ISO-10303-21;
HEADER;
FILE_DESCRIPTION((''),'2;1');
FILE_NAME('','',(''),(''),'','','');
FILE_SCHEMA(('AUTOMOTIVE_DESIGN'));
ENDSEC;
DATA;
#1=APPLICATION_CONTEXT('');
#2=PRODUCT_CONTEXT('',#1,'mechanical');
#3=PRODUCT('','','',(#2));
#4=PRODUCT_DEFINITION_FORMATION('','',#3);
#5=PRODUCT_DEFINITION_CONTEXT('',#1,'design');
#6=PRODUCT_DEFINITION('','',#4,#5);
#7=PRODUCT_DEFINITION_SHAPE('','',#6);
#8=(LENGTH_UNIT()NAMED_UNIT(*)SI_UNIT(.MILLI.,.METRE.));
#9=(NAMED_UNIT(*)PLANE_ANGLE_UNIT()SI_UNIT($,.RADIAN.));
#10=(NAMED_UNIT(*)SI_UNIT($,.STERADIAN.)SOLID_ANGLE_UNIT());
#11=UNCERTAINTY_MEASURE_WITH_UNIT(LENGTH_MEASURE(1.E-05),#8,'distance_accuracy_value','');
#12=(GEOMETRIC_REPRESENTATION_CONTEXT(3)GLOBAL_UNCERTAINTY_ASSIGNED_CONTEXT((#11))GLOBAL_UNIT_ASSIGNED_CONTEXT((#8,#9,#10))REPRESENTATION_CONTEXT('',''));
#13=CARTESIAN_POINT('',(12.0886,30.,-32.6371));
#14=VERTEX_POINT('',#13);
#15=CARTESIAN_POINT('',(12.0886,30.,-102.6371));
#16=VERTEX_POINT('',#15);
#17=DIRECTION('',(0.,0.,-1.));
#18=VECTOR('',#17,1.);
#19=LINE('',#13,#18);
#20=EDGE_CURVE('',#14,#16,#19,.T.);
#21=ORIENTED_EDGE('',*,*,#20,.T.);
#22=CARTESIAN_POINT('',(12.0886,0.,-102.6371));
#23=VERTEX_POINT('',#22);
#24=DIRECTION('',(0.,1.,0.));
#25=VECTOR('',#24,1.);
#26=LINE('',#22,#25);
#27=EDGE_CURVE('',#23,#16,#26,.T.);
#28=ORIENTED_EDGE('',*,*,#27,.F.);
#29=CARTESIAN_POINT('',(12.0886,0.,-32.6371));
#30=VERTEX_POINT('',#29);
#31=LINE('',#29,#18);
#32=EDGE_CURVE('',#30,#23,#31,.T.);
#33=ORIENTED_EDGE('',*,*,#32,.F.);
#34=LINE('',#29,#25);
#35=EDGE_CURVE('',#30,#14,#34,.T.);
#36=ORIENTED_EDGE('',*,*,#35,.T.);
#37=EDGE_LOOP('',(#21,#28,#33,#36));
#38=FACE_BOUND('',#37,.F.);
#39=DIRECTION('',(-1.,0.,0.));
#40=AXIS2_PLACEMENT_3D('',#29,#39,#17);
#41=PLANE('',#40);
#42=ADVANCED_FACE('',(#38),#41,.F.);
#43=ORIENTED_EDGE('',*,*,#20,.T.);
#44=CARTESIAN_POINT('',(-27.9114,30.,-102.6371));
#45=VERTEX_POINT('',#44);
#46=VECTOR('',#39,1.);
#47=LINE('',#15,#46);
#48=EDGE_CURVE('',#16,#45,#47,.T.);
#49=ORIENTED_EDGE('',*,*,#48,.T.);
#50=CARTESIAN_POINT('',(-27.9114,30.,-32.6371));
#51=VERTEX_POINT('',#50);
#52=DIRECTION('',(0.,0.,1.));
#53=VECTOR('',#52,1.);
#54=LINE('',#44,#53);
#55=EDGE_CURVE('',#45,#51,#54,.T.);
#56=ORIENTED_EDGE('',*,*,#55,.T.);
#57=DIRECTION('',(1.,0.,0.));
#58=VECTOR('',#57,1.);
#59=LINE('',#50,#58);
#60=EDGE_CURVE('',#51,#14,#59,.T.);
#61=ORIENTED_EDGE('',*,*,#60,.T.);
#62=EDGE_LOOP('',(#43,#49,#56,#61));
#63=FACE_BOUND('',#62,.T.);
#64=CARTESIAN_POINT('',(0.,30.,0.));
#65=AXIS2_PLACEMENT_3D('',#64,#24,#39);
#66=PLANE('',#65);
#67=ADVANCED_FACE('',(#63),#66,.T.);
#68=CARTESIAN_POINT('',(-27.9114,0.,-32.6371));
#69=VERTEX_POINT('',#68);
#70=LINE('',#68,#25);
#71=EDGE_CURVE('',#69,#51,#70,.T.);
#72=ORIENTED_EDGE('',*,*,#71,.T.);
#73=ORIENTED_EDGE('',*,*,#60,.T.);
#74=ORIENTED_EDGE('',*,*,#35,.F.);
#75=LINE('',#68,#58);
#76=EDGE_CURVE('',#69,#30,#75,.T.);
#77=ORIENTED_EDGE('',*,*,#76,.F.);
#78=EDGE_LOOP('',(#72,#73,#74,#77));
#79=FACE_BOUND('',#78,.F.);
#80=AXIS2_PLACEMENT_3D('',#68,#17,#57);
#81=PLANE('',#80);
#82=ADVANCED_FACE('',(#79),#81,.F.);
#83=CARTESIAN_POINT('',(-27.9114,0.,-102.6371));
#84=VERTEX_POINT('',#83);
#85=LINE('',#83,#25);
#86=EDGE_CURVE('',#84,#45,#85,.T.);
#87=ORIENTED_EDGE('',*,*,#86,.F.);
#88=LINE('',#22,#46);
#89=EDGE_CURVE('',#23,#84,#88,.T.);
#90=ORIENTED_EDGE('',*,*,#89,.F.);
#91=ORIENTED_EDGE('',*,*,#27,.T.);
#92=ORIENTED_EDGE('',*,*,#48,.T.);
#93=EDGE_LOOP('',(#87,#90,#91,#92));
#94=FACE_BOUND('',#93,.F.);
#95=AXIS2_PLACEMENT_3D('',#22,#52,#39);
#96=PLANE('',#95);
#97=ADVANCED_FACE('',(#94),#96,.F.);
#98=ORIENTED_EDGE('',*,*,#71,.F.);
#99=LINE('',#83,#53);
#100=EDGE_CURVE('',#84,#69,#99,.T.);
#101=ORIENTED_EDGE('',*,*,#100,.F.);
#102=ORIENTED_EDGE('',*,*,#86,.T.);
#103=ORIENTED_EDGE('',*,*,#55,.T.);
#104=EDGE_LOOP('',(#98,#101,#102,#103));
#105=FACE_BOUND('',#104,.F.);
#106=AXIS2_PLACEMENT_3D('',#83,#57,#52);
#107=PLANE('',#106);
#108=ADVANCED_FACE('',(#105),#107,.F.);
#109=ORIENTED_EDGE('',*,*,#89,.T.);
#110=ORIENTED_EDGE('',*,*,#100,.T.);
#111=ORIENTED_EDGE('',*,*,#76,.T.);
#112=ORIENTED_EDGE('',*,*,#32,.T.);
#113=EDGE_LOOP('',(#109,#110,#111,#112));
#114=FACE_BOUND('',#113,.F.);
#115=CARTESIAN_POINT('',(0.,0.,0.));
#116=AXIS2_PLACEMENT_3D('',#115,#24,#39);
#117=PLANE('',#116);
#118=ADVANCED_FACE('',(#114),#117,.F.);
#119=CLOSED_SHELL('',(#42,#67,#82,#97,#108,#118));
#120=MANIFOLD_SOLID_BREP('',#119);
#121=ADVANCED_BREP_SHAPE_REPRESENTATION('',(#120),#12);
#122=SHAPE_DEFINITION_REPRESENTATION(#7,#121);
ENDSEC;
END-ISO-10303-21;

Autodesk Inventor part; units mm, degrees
ref_plane "YZ Plane" through (0, 0, 0) normal (1, 0, 0) x (0, 1, 0)
ref_plane "XZ Plane" through (0, 0, 0) normal (0, 1, 0) x (-1, 0, 0)
ref_plane "XY Plane" through (0, 0, 0) normal (0, 0, 1) x (1, 0, 0)
sketch "Skizze1" plane through (0, 0, 0) normal (0, 1, 0) x (-1, 0, 0)
  line L0 (27.9114, -32.6371) -> (-12.0886, -32.6371)
  line L1 (-12.0886, -32.6371) -> (-12.0886, -102.6371)
  line L2 (-12.0886, -102.6371) -> (27.9114, -102.6371)
  line L3 (27.9114, -102.6371) -> (27.9114, -32.6371)
  point P0 (0, 0)
  dimension "d0" = 70
  dimension "d1" = 40
extrude "Extrusion1" add sketch "Skizze1" along normal blind 30
properties part number "Batterie-Block 3V"
